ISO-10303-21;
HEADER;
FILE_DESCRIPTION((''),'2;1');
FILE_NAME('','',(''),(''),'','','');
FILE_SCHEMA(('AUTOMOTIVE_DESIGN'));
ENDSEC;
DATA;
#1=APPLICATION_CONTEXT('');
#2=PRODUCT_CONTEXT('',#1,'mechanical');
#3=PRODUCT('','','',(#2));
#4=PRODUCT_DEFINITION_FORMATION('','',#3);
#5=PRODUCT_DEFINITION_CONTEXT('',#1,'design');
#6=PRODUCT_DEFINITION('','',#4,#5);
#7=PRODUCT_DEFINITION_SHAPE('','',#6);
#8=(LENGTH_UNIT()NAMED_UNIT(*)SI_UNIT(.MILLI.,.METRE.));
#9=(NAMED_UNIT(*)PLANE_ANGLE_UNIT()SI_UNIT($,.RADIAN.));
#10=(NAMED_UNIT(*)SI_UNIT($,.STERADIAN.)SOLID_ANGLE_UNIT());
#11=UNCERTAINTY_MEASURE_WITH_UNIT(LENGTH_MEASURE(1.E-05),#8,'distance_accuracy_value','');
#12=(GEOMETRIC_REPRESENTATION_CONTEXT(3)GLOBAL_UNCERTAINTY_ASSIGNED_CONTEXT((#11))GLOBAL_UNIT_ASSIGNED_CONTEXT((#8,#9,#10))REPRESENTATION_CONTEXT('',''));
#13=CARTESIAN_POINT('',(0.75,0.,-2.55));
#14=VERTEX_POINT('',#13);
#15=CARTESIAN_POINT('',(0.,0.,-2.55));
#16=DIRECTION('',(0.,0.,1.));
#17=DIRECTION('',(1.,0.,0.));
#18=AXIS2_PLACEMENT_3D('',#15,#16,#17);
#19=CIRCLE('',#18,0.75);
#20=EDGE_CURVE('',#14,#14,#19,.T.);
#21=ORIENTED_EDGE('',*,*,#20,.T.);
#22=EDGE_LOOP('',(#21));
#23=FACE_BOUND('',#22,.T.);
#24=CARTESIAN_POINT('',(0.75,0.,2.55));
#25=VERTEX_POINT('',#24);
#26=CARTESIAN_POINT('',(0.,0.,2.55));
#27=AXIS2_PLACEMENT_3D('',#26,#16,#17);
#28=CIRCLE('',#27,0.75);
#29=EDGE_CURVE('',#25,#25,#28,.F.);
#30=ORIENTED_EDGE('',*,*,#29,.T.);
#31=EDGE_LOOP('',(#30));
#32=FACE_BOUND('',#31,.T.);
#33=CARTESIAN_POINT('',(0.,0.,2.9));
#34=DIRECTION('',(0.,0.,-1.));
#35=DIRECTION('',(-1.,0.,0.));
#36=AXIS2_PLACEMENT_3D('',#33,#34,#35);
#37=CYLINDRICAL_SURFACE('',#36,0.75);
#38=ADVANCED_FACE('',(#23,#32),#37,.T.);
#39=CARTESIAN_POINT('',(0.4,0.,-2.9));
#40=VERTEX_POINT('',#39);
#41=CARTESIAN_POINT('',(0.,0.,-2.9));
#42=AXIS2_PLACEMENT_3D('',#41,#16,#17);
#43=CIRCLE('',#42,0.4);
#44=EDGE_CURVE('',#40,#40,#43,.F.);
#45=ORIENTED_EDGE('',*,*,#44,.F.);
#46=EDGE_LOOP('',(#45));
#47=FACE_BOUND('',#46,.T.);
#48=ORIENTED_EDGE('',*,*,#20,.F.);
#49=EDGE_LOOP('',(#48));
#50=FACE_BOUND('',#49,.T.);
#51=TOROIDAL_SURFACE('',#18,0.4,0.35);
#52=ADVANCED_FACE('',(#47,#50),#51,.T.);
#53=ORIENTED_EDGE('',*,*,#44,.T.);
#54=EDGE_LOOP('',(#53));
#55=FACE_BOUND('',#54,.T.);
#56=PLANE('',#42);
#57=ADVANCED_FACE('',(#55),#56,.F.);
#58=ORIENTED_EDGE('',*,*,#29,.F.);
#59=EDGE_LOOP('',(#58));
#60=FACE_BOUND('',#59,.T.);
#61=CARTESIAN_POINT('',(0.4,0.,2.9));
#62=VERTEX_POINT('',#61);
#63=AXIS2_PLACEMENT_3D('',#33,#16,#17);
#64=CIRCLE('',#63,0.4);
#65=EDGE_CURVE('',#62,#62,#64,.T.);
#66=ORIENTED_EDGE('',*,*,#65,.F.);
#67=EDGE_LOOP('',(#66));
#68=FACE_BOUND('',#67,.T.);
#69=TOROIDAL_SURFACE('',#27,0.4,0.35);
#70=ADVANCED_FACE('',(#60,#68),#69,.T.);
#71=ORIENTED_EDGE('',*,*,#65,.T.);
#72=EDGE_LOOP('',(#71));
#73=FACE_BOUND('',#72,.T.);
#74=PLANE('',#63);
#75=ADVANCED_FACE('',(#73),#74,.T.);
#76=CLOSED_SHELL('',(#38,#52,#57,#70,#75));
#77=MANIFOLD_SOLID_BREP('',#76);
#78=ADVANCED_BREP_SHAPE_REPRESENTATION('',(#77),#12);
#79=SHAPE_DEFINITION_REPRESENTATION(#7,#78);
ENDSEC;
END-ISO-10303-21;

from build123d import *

# Parameters (mm, degrees)
SKETCH1_R           = 0.75
BOSS_EXTRUDE1_DEPTH = 2.9
FILLET1_R           = 0.35


with BuildPart() as part:
    # Sketch1 → Boss-Extrude1 (new body, symmetric)
    with BuildSketch(Plane.XY):
        Circle(SKETCH1_R)
    extrude(amount=BOSS_EXTRUDE1_DEPTH, both=True)

    # Fillet1
    fillet1_edges = [part.edges().sort_by_distance(p)[0] for p in [
        (-0.75, 0, -2.9),
        (-0.75, 0, 2.9),
    ]]
    fillet(fillet1_edges, radius=FILLET1_R)


solid = part.part
